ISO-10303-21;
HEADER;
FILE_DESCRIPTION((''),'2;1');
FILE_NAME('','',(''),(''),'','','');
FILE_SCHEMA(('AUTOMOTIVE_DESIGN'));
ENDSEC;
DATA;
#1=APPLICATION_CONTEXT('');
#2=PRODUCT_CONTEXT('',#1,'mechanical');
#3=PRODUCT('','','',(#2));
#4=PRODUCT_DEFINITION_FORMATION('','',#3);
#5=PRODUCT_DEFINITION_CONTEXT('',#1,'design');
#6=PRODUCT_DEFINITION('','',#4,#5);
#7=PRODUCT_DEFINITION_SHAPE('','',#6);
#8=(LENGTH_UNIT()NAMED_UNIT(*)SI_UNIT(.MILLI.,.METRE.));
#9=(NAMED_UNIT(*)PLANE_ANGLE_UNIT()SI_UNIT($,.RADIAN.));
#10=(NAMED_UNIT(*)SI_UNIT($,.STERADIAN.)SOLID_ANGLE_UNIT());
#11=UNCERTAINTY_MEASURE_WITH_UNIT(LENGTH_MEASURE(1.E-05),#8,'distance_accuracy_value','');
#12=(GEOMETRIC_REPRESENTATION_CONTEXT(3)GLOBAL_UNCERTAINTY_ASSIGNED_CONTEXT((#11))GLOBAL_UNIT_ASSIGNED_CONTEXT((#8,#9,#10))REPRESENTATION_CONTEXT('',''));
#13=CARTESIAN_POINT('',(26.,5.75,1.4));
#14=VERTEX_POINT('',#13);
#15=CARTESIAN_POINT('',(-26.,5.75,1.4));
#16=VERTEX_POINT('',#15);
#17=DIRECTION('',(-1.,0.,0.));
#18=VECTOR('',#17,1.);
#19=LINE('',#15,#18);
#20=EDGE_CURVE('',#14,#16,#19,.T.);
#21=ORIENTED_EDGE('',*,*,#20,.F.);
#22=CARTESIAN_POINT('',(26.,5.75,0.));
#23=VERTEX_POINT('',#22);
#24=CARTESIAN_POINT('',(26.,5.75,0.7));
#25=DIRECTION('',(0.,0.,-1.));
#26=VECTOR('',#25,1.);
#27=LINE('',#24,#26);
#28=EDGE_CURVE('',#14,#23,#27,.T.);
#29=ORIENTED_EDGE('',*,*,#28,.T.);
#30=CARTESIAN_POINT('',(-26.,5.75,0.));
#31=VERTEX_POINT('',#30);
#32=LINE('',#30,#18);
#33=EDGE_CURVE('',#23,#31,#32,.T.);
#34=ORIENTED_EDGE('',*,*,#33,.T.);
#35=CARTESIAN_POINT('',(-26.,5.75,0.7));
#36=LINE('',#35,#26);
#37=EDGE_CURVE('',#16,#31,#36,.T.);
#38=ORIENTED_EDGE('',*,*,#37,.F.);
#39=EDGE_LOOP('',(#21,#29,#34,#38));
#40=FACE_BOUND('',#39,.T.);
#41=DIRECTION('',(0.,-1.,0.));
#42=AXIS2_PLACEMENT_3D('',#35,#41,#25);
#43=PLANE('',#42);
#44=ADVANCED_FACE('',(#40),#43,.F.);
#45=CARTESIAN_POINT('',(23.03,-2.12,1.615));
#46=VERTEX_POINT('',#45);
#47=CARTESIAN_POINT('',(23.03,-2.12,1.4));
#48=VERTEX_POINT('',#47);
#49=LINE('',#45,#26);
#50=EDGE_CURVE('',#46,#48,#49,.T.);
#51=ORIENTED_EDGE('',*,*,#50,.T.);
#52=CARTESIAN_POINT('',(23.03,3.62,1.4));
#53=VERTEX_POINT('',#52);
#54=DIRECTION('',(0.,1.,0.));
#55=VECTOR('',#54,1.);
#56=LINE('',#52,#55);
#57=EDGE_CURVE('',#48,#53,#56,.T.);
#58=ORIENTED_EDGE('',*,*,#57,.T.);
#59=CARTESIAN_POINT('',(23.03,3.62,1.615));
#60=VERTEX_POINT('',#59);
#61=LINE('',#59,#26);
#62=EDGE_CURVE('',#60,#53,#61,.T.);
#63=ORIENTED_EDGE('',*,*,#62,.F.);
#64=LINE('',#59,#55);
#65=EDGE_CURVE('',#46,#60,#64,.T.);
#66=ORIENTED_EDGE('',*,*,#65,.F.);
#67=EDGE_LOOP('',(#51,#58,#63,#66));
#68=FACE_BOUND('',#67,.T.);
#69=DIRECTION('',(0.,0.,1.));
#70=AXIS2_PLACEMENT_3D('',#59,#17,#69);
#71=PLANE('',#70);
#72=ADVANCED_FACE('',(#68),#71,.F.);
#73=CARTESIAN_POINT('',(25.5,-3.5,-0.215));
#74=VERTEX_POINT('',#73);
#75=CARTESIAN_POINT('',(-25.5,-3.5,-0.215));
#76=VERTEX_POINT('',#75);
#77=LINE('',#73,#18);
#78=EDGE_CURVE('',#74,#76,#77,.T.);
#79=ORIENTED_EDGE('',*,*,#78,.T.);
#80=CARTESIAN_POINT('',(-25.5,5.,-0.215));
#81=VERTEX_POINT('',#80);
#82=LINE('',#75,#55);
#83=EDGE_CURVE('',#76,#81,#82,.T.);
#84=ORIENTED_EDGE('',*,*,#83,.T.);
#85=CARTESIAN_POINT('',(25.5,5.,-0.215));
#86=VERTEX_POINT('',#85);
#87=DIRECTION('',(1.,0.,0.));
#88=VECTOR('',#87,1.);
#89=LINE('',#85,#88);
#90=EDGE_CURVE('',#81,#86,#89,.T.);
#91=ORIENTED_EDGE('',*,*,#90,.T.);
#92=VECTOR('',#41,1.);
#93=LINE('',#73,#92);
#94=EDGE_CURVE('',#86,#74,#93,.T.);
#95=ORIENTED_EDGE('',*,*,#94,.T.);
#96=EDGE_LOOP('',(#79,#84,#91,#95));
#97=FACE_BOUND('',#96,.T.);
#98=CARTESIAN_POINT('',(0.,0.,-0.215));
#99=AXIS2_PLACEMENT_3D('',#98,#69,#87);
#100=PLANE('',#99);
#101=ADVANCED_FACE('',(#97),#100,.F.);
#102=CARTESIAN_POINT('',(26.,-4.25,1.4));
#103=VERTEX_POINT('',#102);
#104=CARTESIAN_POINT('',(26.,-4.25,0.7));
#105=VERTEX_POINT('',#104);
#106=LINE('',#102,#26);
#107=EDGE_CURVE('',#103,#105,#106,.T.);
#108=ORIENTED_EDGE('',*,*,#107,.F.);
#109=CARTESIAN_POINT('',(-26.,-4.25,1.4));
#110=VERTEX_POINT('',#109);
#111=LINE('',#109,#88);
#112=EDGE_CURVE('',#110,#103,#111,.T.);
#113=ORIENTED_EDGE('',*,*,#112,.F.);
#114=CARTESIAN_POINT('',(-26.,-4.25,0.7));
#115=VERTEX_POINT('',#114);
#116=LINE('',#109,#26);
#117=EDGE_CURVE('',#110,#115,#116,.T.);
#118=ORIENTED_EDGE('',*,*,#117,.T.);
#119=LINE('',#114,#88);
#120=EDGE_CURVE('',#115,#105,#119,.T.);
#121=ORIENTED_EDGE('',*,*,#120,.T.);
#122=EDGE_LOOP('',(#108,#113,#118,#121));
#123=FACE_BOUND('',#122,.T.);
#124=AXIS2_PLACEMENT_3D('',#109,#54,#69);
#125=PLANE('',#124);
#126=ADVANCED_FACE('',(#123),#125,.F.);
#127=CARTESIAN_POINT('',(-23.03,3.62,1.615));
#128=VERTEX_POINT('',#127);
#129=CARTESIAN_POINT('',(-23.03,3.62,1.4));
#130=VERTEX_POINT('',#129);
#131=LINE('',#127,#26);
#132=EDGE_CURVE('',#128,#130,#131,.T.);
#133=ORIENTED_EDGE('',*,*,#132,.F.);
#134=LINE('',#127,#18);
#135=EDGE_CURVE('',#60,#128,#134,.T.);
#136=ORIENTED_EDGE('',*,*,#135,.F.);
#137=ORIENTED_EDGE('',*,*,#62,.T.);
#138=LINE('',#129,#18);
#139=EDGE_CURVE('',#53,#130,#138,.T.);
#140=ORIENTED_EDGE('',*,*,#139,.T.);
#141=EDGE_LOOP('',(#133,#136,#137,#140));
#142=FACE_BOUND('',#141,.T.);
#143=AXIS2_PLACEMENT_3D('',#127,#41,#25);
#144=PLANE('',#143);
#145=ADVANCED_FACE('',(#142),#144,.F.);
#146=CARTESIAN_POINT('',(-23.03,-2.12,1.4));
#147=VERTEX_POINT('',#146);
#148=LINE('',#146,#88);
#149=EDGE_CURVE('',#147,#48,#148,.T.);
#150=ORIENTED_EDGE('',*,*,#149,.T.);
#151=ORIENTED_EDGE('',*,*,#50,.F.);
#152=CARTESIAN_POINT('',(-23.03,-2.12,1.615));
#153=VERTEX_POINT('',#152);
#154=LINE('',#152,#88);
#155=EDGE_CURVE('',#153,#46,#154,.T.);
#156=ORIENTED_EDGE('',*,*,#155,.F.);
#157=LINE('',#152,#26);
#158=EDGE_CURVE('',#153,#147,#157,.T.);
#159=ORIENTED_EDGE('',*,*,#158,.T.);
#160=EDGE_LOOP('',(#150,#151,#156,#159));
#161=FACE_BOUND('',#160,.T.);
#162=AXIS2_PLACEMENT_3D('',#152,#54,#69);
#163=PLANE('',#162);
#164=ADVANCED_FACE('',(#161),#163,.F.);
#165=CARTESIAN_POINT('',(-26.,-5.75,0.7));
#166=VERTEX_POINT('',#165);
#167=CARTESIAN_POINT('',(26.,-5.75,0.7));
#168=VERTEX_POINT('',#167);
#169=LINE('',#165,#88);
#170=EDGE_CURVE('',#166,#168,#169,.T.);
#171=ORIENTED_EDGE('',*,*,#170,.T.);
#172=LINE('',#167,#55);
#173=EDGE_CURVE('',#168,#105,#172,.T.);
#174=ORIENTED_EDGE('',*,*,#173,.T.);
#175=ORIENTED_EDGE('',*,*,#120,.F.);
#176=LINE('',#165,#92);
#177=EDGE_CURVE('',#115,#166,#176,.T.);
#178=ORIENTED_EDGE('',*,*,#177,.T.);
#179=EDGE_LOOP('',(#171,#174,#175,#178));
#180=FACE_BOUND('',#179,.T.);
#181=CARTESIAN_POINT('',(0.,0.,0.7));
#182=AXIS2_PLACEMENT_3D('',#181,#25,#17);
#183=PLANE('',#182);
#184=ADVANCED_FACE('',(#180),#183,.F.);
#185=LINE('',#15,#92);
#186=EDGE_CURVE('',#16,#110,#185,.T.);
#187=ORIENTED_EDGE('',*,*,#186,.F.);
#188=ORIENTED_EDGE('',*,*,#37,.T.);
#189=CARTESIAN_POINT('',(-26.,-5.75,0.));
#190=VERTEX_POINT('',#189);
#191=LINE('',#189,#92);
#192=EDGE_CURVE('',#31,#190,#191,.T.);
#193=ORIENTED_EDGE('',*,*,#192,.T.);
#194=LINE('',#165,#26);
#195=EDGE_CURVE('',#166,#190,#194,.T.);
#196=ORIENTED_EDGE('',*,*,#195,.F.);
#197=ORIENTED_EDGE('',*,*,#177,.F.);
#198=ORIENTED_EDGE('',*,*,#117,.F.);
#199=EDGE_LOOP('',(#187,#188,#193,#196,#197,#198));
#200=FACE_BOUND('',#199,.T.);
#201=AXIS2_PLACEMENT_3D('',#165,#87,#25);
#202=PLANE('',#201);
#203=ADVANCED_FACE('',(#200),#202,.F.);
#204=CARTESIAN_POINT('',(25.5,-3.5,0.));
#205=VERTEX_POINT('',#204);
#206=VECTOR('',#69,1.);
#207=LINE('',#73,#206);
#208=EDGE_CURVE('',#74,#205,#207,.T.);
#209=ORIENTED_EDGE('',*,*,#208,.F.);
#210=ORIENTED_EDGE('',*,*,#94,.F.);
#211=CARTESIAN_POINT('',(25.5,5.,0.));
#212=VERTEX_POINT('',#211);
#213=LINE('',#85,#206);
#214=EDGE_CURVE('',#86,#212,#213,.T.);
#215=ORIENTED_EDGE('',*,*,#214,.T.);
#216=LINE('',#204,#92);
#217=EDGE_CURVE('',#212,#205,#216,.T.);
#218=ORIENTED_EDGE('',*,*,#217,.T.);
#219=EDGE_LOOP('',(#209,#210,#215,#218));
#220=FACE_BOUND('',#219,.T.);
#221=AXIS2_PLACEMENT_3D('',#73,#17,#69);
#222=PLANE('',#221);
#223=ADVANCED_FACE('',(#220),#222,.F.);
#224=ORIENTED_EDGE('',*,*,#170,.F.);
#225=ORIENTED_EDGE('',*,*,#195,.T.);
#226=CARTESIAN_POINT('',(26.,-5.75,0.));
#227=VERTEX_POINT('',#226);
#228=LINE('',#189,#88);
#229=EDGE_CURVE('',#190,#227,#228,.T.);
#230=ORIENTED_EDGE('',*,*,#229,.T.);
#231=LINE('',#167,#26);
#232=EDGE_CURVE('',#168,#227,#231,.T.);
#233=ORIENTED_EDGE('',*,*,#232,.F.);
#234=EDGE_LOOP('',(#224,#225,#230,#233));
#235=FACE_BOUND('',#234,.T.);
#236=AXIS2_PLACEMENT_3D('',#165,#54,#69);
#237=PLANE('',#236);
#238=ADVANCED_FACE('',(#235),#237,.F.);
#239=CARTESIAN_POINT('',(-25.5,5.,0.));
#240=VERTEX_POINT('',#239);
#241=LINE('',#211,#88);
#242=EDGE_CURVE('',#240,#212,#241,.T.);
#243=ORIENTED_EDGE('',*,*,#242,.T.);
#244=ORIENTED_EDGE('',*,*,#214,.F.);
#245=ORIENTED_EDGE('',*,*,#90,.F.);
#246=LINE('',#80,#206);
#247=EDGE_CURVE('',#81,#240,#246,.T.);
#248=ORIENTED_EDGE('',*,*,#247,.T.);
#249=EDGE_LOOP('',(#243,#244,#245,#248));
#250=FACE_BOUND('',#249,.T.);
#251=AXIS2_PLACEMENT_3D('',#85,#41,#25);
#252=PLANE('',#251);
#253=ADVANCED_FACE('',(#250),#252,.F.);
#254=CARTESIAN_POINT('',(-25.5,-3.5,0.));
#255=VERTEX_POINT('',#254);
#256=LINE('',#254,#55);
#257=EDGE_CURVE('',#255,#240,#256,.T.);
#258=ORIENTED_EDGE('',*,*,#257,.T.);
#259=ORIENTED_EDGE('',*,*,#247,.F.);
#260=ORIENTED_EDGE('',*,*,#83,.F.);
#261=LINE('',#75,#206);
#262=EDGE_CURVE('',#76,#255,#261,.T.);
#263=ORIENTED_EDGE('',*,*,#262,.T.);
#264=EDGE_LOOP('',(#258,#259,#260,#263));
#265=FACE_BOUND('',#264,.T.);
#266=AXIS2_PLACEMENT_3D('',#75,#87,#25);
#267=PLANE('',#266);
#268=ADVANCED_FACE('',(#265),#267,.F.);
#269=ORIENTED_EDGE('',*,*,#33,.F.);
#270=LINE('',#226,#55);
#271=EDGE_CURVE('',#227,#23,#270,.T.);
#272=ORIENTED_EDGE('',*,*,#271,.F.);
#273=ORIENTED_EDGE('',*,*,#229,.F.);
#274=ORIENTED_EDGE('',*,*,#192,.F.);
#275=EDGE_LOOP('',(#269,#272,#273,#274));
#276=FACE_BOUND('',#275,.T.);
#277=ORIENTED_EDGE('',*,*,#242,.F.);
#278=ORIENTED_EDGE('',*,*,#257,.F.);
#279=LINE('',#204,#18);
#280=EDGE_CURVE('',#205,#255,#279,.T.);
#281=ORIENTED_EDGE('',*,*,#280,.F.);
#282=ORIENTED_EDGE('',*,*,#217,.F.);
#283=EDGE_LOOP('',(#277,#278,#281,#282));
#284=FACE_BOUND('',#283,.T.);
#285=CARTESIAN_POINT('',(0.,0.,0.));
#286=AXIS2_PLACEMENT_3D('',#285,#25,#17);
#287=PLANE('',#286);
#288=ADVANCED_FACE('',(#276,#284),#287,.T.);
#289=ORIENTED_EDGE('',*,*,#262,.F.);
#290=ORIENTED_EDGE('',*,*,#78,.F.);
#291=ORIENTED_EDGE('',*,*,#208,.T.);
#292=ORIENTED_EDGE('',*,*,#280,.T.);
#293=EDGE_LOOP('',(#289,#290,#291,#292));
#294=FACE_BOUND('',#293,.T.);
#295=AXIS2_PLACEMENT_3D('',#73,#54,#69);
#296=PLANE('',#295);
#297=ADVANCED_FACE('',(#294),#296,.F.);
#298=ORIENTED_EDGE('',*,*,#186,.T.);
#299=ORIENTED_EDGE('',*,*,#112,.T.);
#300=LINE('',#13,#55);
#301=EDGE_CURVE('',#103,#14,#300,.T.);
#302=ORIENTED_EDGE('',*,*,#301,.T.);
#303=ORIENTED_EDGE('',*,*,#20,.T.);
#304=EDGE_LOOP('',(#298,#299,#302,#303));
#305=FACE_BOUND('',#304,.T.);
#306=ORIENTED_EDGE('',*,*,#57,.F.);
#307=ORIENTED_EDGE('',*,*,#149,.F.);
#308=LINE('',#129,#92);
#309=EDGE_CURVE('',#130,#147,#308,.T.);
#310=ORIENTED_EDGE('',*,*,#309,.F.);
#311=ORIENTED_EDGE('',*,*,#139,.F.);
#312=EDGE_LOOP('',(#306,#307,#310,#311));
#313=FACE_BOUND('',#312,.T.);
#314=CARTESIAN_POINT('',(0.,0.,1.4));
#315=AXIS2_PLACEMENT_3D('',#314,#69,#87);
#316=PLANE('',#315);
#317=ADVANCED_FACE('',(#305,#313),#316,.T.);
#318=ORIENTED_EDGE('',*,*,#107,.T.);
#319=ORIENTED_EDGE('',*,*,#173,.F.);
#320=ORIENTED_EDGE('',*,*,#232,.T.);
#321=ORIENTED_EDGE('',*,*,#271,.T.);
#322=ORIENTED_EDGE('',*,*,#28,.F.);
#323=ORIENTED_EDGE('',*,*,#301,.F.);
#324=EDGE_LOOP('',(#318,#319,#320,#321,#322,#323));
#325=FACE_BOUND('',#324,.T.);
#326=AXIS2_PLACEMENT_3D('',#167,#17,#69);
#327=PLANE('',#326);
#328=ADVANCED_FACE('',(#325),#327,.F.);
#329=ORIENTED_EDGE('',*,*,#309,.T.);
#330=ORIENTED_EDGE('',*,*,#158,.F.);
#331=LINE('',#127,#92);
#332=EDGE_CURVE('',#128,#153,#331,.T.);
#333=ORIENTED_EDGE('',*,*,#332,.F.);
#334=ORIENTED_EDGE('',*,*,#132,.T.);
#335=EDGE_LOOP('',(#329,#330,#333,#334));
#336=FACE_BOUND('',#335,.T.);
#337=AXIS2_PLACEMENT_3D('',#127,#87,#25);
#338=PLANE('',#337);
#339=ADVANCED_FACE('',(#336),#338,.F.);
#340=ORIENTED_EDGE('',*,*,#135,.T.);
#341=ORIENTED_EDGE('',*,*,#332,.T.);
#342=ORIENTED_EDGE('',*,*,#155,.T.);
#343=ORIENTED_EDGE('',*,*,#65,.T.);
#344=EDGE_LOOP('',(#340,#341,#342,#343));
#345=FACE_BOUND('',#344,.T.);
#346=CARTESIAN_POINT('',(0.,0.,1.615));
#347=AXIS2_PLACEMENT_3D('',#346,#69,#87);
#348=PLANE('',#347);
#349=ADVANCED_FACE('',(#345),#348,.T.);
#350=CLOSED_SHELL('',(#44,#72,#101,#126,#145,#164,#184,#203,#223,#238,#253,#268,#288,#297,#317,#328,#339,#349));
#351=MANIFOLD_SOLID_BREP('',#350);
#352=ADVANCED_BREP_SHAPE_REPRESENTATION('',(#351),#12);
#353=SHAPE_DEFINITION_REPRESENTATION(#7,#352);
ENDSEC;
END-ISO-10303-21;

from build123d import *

# Parameters (mm, degrees)
SKETCH1_W           = 52
SKETCH1_H           = 11.5
BOSS_EXTRUDE1_DEPTH = 0.7
SKETCH2_W           = 52
SKETCH2_H           = 10
BOSS_EXTRUDE2_DEPTH = 0.7
SKETCH3_W           = 46.06
SKETCH3_H           = 5.74
BOSS_EXTRUDE3_DEPTH = 0.215
SKETCH4_W           = 51
SKETCH4_H           = 8.5
BOSS_EXTRUDE4_DEPTH = 0.215


with BuildPart() as part:
    # Sketch1 → Boss-Extrude1 (new body)
    with BuildSketch(Plane.XY):
        Rectangle(SKETCH1_W, SKETCH1_H)
    extrude(amount=BOSS_EXTRUDE1_DEPTH)

    # Sketch2 → Boss-Extrude2 (add)
    with BuildSketch(Plane.XY.offset(0.7)):
        with Locations((0, 0.75)):
            Rectangle(SKETCH2_W, SKETCH2_H)
    extrude(amount=BOSS_EXTRUDE2_DEPTH)

    # Sketch3 → Boss-Extrude3 (add)
    with BuildSketch(Plane.XY.offset(1.4)):
        with Locations((0, 0.75)):
            Rectangle(SKETCH3_W, SKETCH3_H)
    extrude(amount=BOSS_EXTRUDE3_DEPTH)

    # Sketch4 → Boss-Extrude4 (add)
    with BuildSketch(Plane(origin=(0, 0, 0), x_dir=(-1, 0, 0), z_dir=(0, 0, -1))):
        with Locations((0, 0.75)):
            Rectangle(SKETCH4_W, SKETCH4_H)
    extrude(amount=BOSS_EXTRUDE4_DEPTH)


solid = part.part
